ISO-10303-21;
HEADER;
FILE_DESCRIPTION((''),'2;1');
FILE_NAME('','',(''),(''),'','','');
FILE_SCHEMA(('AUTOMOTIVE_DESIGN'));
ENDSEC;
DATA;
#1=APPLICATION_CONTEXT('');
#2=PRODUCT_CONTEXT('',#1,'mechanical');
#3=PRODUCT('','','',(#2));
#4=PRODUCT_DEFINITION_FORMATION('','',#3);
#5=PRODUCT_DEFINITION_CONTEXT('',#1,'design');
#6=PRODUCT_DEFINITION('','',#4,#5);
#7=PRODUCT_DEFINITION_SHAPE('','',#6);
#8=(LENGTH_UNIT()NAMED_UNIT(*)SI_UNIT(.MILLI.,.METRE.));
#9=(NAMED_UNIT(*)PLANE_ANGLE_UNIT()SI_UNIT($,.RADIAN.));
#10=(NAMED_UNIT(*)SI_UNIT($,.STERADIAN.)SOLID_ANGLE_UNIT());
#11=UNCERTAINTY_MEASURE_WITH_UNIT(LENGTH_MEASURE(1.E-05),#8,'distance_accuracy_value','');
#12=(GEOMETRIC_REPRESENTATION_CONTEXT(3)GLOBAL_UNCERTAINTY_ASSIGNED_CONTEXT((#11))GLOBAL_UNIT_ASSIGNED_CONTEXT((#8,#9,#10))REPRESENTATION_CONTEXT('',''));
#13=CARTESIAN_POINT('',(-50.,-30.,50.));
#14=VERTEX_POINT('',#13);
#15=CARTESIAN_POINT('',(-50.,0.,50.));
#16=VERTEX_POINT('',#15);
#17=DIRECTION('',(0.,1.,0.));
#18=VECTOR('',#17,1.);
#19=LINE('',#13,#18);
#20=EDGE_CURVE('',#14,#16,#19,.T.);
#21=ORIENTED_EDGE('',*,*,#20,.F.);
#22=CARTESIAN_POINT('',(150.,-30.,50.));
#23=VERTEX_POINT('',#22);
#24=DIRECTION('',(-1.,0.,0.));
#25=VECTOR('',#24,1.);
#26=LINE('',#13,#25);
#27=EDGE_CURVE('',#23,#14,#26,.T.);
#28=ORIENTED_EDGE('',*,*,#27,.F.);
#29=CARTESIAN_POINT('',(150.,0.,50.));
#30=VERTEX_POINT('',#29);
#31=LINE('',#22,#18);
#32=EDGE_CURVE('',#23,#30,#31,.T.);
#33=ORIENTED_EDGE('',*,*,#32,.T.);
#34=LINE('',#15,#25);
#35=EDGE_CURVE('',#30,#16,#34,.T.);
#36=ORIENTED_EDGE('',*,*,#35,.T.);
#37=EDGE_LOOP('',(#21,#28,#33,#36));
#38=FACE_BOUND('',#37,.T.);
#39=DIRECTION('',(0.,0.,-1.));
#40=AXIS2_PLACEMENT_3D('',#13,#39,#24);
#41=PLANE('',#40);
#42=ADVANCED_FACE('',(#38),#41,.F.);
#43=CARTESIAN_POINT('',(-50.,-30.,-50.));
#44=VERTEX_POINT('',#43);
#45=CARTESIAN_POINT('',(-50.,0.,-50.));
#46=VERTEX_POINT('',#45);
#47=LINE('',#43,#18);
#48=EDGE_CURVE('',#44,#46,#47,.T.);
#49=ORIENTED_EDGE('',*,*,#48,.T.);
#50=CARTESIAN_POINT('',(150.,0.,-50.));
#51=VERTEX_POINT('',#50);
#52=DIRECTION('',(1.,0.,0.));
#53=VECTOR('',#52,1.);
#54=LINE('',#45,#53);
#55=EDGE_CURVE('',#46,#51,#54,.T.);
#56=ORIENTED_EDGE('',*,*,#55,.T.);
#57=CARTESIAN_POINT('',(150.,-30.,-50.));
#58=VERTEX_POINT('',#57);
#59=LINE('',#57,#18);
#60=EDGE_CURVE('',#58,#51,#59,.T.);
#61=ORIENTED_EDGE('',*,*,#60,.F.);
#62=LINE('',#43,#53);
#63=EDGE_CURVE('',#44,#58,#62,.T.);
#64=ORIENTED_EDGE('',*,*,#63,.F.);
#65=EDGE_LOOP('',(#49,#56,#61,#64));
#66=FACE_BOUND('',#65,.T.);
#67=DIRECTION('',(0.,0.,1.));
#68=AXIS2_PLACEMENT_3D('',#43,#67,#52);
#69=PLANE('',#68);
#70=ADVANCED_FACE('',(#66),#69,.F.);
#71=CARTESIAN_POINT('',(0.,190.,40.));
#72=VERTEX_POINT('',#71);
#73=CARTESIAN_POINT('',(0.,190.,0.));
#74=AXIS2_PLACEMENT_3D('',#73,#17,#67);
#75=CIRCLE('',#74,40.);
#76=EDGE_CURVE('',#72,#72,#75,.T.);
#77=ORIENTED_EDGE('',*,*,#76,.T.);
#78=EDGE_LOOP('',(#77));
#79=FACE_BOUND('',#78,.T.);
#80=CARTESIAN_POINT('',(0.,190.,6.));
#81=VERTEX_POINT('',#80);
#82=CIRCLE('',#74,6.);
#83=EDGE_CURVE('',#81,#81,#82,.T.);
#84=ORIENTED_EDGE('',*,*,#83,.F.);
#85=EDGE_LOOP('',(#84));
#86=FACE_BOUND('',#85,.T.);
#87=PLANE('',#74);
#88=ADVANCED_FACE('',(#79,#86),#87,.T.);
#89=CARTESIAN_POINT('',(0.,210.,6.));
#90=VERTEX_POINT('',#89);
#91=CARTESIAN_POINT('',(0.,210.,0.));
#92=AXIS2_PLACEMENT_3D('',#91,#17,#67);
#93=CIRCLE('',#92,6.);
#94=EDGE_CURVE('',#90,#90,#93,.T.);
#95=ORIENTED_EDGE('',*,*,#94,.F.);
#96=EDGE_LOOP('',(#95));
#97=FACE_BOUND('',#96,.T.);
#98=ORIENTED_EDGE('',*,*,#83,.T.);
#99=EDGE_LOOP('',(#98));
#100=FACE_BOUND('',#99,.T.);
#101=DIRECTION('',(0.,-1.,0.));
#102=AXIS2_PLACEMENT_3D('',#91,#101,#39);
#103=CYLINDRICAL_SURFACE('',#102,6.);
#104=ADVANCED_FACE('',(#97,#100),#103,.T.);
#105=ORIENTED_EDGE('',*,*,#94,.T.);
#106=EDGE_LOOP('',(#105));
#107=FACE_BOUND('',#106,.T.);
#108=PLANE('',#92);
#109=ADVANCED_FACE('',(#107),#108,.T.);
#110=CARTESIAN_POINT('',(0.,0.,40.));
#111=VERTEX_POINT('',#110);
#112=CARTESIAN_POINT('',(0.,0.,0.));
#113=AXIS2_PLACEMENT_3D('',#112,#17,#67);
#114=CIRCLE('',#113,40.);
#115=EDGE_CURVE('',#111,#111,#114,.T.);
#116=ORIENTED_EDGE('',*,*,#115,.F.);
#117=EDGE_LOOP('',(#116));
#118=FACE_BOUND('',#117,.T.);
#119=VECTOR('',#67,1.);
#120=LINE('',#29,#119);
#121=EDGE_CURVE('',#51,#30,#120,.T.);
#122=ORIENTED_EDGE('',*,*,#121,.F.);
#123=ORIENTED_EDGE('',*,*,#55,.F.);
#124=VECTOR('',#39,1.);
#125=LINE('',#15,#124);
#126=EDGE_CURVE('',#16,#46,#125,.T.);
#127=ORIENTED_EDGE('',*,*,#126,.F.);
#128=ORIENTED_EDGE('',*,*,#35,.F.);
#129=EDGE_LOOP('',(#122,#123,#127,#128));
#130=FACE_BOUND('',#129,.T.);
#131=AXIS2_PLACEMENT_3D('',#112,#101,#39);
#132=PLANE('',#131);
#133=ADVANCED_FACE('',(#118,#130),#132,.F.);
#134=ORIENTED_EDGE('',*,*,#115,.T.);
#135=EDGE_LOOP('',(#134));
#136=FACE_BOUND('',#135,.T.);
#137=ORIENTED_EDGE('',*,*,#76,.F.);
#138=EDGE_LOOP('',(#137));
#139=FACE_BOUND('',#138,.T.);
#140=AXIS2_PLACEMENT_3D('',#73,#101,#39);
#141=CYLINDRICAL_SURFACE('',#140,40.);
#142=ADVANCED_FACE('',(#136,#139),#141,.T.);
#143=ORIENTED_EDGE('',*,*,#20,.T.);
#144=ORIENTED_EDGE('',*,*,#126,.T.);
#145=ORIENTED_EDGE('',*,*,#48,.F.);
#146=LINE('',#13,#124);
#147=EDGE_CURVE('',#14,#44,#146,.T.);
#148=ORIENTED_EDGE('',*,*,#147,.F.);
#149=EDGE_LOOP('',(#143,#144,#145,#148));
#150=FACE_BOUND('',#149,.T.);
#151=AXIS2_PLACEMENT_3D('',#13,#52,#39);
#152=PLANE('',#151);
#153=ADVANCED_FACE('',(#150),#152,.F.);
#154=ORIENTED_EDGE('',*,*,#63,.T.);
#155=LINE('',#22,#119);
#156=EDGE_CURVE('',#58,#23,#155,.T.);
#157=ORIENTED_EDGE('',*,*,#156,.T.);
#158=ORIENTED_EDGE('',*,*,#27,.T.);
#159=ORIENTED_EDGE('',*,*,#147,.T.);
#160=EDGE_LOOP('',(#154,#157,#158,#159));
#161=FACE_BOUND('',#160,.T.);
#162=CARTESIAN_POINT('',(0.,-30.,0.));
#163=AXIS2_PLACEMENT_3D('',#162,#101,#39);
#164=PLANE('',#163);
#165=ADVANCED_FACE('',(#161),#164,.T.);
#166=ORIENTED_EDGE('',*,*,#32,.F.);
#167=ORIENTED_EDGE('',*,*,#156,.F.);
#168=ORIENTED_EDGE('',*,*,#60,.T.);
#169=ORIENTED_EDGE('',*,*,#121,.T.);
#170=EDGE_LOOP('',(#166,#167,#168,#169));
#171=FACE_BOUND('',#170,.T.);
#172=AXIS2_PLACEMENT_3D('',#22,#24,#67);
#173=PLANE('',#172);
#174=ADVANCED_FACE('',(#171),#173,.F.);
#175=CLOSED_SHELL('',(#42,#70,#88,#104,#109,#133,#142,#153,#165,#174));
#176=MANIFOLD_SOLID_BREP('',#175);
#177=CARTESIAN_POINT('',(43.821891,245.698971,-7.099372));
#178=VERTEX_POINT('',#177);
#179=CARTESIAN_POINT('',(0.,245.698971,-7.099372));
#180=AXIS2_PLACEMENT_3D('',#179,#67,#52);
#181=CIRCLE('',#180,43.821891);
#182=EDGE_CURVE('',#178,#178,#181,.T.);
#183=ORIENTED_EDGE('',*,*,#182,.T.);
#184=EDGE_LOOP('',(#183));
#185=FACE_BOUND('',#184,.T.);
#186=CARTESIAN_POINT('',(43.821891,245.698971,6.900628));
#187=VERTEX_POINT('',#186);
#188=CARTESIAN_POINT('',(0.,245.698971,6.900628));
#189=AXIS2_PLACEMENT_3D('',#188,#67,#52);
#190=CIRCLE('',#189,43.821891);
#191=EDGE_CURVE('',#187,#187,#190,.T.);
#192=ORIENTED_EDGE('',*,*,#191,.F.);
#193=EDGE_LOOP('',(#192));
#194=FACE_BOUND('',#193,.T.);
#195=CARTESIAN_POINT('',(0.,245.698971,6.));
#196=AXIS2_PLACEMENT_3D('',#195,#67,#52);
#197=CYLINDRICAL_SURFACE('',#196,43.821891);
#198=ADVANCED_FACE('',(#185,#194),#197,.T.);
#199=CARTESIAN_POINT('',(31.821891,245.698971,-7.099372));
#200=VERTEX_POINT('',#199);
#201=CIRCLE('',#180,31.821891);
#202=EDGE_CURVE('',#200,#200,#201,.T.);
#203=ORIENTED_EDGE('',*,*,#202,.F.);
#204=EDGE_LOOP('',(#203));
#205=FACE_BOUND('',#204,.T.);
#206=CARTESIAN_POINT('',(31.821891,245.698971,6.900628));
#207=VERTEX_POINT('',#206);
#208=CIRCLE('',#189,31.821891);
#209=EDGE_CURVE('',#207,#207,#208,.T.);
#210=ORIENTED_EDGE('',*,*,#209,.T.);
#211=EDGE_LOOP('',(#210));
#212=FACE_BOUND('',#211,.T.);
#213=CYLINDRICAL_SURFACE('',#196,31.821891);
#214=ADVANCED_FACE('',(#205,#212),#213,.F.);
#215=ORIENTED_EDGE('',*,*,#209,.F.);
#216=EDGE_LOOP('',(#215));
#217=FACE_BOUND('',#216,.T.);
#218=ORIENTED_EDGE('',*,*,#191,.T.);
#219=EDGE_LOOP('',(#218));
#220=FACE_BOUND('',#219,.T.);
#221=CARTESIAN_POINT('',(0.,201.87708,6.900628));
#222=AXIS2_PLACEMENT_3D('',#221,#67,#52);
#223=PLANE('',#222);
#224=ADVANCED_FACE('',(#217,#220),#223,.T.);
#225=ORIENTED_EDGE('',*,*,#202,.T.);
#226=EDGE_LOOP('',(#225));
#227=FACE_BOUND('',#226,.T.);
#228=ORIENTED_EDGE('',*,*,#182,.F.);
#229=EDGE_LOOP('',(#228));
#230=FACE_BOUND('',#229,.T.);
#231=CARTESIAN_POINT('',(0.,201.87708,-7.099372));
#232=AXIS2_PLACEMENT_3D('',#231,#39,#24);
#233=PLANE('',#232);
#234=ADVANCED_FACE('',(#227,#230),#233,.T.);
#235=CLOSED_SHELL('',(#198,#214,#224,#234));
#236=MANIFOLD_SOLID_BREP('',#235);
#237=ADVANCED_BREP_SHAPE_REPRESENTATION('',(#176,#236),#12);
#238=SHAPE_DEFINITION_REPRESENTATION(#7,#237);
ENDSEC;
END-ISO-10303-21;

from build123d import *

# Parameters (mm, degrees)
SKETCH1_R           = 40
BOSS_EXTRUDE1_DEPTH = 190
SKETCH3_W           = 200
SKETCH3_H           = 100
BOSS_EXTRUDE3_DEPTH = 30
SKETCH4_R           = 6
BOSS_EXTRUDE4_DEPTH = 20
SKETCH5_W           = 14
SKETCH5_H           = 12


with BuildPart() as part:
    # Sketch1 → Boss-Extrude1 (new body)
    with BuildSketch(Plane(origin=(0, 0, 0), x_dir=(1, 0, 0), z_dir=(0, 1, 0))):
        with Locations(Location((0, 0, 0), (0, 0, 270))):
            Circle(SKETCH1_R)
    extrude(amount=BOSS_EXTRUDE1_DEPTH)

    # Sketch3 → Boss-Extrude3 (add)
    with BuildSketch(Plane.XZ):
        with Locations((50, 0)):
            Rectangle(SKETCH3_W, SKETCH3_H)
    extrude(amount=BOSS_EXTRUDE3_DEPTH)

    # Sketch4 → Boss-Extrude4 (add)
    with BuildSketch(Plane(origin=(0, 190, 0), x_dir=(1, 0, 0), z_dir=(0, 1, 0))):
        with Locations(Location((0, 0, 0), (0, 0, 270))):
            Circle(SKETCH4_R)
    extrude(amount=BOSS_EXTRUDE4_DEPTH)


with BuildPart() as body_2:
    # Sketch5 → Revolve1 (revolve)
    with BuildSketch(Plane(origin=(0, 0, 0), x_dir=(0, 0, -1), z_dir=(1, 0, 0)), mode=Mode.PRIVATE) as revolve1_sk:
        with Locations((0.099371949, 207.877080342)):
            Rectangle(SKETCH5_W, SKETCH5_H)
    revolve(revolve1_sk.sketch.rotate(Axis((0, 245.698971078, 6), (0, 0, -1)), 270), axis=Axis((0, 245.698971078, 6), (0, 0, -1)))


solid = Compound([part.part, body_2.part])
